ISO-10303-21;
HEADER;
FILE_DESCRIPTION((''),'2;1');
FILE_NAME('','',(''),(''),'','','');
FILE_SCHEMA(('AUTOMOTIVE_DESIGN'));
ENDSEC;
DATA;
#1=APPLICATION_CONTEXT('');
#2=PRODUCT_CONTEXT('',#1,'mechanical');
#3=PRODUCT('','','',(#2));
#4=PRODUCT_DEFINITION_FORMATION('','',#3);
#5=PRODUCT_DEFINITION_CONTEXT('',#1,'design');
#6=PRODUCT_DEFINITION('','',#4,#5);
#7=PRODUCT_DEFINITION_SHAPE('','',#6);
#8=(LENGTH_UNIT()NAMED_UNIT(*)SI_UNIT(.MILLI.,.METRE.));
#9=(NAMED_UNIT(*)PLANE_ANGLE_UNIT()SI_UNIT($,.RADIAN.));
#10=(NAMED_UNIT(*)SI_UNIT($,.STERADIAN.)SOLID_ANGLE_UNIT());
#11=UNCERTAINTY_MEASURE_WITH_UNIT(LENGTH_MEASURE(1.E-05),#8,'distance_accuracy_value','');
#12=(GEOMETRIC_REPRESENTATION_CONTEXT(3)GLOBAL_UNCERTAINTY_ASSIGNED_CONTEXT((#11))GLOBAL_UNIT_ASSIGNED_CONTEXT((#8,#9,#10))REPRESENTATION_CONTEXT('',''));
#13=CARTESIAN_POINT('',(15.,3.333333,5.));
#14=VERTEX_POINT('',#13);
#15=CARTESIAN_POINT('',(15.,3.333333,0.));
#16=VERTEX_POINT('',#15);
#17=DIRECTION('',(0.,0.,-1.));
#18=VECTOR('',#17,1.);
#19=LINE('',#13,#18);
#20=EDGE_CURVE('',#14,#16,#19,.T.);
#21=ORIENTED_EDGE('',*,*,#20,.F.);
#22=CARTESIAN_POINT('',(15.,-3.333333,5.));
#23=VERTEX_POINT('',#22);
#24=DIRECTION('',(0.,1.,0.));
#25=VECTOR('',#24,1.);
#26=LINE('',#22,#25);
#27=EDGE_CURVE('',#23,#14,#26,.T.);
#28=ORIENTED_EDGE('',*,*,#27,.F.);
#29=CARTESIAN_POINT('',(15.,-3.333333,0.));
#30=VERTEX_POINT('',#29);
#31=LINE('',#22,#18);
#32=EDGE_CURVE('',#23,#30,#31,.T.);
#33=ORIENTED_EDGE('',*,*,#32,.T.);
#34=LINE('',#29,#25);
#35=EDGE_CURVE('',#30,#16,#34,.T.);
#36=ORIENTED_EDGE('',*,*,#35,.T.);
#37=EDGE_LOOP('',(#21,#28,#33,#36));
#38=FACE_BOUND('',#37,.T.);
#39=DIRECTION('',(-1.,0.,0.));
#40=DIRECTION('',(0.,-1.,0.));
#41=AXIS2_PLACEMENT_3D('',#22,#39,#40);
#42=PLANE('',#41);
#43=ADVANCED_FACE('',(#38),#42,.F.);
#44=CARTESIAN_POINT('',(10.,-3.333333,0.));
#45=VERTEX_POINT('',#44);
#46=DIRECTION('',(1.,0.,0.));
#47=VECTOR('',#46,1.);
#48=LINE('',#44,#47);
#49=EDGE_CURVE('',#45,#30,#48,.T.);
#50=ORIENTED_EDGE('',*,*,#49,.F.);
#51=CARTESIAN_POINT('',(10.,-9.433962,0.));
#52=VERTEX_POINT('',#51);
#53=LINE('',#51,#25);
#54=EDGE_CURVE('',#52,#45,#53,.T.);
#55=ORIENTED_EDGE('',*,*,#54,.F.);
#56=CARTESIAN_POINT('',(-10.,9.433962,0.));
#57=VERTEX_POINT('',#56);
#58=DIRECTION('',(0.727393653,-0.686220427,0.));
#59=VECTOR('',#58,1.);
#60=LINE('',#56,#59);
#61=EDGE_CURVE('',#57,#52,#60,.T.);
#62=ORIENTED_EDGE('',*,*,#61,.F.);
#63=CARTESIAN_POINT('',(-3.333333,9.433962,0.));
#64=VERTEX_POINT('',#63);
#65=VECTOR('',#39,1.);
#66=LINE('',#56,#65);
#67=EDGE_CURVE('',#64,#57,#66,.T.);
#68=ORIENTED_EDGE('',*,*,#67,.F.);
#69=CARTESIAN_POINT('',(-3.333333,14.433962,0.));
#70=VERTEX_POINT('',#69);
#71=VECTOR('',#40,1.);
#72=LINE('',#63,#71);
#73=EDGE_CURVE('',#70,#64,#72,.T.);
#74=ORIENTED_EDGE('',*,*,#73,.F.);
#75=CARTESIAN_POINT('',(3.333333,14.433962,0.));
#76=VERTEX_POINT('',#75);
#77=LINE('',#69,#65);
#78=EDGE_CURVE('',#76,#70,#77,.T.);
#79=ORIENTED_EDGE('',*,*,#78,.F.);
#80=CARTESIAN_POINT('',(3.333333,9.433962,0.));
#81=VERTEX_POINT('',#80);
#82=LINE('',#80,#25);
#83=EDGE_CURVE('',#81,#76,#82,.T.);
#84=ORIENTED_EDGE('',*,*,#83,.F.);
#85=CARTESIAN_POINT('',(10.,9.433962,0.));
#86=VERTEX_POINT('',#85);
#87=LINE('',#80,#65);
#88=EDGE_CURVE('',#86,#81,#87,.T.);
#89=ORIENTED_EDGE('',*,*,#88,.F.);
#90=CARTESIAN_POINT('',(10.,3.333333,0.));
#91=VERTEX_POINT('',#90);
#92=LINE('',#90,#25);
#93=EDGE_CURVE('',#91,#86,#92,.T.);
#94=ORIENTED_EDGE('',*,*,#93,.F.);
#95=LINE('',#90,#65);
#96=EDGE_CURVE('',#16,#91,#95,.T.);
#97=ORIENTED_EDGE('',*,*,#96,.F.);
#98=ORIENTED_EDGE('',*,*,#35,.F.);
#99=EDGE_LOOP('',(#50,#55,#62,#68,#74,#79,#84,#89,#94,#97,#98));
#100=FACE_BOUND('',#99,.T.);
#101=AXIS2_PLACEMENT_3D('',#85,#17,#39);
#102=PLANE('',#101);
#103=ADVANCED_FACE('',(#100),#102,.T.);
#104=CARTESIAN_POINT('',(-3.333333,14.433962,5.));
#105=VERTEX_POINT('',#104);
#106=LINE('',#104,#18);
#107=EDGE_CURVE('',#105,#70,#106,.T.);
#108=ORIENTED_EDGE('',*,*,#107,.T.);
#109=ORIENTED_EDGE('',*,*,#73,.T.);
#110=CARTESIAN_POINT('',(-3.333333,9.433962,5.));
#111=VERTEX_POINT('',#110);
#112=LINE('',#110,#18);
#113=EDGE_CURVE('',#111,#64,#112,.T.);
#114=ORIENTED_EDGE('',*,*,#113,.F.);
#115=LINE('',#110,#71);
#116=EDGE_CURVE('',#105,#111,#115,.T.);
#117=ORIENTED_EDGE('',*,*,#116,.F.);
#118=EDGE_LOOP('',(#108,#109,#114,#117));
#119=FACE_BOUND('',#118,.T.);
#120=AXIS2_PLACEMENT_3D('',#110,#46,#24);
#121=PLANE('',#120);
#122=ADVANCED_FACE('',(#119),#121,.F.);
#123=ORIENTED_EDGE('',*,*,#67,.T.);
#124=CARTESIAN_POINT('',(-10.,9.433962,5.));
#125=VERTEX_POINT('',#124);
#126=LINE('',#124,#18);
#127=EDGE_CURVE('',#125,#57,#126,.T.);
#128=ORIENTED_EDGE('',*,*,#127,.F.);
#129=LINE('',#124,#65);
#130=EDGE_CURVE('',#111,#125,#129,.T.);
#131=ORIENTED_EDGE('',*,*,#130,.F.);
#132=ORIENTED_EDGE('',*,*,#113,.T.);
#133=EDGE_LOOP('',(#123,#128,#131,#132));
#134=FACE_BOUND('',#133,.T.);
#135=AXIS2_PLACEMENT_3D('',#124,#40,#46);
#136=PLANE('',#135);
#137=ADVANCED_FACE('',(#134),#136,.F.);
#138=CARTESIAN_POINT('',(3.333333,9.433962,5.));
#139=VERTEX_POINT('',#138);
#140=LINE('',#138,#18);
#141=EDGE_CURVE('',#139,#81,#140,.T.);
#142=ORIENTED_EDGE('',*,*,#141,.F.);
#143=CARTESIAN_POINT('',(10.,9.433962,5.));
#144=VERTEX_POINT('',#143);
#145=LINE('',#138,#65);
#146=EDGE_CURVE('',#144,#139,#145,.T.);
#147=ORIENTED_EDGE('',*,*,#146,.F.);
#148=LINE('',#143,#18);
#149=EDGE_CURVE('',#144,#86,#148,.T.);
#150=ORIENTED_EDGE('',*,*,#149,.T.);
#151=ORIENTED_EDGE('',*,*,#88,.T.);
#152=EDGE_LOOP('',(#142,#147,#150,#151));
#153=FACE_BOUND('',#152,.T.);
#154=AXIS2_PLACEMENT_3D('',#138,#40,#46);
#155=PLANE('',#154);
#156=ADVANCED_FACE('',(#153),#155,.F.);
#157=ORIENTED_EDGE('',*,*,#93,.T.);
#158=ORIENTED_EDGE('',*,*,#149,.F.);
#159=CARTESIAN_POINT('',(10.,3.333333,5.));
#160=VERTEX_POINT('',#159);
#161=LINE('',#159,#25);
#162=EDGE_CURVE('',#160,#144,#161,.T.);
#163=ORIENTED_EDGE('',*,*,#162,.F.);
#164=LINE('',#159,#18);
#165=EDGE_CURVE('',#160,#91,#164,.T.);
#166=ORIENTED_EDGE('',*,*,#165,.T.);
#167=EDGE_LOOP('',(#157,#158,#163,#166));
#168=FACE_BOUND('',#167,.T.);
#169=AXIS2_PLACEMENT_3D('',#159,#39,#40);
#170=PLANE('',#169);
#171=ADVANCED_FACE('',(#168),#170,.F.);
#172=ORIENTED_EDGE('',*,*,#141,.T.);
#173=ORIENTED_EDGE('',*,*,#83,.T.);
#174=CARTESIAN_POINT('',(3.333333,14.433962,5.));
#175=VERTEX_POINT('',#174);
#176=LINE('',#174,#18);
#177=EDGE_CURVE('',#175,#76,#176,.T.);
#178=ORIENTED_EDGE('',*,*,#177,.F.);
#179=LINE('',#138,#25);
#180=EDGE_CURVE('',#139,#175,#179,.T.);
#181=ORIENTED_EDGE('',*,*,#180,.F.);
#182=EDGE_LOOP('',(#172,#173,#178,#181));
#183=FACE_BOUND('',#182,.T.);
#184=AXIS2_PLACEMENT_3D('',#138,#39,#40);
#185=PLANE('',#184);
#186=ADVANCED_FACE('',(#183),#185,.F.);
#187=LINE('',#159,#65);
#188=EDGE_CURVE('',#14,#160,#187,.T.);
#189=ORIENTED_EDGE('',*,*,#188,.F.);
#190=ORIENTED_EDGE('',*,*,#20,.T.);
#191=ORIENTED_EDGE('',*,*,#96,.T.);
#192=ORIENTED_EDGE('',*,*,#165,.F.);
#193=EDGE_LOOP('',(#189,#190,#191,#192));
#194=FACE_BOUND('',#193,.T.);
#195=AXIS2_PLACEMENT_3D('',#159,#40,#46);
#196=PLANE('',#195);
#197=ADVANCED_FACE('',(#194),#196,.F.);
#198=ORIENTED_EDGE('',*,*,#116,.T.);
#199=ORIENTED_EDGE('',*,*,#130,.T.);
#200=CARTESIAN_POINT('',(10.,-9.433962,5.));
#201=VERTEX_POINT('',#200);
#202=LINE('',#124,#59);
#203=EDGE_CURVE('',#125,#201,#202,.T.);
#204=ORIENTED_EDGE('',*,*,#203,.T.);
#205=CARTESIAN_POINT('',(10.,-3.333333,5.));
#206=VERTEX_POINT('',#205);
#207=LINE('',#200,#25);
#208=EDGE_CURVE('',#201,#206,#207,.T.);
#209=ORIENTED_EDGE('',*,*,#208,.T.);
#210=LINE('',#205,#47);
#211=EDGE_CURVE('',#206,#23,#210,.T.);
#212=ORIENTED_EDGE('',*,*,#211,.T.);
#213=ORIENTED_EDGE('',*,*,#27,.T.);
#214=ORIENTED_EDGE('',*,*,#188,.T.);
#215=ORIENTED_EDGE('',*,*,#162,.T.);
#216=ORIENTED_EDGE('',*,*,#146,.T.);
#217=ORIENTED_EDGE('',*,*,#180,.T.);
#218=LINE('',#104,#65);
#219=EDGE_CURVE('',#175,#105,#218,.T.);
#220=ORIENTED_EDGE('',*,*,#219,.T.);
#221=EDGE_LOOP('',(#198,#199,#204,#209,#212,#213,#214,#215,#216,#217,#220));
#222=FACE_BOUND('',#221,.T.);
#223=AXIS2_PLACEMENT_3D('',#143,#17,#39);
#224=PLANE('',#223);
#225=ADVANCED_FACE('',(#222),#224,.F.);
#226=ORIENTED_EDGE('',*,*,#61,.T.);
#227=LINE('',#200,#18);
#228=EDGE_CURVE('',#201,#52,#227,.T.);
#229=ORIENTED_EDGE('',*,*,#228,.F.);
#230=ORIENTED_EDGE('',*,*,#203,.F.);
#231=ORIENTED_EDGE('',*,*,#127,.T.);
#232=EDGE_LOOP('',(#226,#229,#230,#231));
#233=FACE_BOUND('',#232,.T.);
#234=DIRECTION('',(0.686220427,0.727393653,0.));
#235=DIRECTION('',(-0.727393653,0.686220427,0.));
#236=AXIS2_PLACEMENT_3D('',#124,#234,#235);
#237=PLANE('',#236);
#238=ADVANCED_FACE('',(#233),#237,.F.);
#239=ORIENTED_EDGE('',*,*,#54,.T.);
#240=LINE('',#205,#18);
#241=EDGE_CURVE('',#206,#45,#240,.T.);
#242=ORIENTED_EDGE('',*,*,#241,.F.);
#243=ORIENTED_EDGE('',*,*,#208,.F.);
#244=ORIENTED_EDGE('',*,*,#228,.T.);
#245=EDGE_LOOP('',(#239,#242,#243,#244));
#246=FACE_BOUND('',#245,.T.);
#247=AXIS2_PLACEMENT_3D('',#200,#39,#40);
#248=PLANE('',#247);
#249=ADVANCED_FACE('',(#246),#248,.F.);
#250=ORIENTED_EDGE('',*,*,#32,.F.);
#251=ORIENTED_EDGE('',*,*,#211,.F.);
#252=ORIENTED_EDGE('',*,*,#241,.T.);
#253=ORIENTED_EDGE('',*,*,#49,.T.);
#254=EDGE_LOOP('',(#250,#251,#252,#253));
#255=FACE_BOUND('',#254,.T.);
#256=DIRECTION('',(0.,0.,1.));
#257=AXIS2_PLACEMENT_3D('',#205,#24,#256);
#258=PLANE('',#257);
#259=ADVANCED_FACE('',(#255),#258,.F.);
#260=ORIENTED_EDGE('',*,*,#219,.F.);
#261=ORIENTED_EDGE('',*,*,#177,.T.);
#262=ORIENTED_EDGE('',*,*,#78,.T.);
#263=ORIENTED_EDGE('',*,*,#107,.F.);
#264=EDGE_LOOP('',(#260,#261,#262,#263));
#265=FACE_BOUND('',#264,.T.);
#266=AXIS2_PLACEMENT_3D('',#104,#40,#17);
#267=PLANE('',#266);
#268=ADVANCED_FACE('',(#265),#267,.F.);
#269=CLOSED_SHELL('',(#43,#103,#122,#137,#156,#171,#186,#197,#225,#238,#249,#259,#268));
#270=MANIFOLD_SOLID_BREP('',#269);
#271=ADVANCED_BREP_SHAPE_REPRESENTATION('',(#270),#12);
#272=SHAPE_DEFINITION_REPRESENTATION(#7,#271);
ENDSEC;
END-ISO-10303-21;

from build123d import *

# Parameters (mm, degrees)
BOSS_EXTRUDE1_DEPTH = 5


with BuildPart() as part:
    # Sketch1 → Boss-Extrude1 (new body)
    with BuildSketch(Plane.XY):
        Polygon((-10, 9.433962264), (10, -9.433962264), (10, -3.333333333), (15, -3.333333333), (15, 3.333333333), (10, 3.333333333), (10, 9.433962264), (3.333333333, 9.433962264), (3.333333333, 14.433962264), (-3.333333333, 14.433962264), (-3.333333333, 9.433962264), align=None)
    extrude(amount=BOSS_EXTRUDE1_DEPTH)


solid = part.part
